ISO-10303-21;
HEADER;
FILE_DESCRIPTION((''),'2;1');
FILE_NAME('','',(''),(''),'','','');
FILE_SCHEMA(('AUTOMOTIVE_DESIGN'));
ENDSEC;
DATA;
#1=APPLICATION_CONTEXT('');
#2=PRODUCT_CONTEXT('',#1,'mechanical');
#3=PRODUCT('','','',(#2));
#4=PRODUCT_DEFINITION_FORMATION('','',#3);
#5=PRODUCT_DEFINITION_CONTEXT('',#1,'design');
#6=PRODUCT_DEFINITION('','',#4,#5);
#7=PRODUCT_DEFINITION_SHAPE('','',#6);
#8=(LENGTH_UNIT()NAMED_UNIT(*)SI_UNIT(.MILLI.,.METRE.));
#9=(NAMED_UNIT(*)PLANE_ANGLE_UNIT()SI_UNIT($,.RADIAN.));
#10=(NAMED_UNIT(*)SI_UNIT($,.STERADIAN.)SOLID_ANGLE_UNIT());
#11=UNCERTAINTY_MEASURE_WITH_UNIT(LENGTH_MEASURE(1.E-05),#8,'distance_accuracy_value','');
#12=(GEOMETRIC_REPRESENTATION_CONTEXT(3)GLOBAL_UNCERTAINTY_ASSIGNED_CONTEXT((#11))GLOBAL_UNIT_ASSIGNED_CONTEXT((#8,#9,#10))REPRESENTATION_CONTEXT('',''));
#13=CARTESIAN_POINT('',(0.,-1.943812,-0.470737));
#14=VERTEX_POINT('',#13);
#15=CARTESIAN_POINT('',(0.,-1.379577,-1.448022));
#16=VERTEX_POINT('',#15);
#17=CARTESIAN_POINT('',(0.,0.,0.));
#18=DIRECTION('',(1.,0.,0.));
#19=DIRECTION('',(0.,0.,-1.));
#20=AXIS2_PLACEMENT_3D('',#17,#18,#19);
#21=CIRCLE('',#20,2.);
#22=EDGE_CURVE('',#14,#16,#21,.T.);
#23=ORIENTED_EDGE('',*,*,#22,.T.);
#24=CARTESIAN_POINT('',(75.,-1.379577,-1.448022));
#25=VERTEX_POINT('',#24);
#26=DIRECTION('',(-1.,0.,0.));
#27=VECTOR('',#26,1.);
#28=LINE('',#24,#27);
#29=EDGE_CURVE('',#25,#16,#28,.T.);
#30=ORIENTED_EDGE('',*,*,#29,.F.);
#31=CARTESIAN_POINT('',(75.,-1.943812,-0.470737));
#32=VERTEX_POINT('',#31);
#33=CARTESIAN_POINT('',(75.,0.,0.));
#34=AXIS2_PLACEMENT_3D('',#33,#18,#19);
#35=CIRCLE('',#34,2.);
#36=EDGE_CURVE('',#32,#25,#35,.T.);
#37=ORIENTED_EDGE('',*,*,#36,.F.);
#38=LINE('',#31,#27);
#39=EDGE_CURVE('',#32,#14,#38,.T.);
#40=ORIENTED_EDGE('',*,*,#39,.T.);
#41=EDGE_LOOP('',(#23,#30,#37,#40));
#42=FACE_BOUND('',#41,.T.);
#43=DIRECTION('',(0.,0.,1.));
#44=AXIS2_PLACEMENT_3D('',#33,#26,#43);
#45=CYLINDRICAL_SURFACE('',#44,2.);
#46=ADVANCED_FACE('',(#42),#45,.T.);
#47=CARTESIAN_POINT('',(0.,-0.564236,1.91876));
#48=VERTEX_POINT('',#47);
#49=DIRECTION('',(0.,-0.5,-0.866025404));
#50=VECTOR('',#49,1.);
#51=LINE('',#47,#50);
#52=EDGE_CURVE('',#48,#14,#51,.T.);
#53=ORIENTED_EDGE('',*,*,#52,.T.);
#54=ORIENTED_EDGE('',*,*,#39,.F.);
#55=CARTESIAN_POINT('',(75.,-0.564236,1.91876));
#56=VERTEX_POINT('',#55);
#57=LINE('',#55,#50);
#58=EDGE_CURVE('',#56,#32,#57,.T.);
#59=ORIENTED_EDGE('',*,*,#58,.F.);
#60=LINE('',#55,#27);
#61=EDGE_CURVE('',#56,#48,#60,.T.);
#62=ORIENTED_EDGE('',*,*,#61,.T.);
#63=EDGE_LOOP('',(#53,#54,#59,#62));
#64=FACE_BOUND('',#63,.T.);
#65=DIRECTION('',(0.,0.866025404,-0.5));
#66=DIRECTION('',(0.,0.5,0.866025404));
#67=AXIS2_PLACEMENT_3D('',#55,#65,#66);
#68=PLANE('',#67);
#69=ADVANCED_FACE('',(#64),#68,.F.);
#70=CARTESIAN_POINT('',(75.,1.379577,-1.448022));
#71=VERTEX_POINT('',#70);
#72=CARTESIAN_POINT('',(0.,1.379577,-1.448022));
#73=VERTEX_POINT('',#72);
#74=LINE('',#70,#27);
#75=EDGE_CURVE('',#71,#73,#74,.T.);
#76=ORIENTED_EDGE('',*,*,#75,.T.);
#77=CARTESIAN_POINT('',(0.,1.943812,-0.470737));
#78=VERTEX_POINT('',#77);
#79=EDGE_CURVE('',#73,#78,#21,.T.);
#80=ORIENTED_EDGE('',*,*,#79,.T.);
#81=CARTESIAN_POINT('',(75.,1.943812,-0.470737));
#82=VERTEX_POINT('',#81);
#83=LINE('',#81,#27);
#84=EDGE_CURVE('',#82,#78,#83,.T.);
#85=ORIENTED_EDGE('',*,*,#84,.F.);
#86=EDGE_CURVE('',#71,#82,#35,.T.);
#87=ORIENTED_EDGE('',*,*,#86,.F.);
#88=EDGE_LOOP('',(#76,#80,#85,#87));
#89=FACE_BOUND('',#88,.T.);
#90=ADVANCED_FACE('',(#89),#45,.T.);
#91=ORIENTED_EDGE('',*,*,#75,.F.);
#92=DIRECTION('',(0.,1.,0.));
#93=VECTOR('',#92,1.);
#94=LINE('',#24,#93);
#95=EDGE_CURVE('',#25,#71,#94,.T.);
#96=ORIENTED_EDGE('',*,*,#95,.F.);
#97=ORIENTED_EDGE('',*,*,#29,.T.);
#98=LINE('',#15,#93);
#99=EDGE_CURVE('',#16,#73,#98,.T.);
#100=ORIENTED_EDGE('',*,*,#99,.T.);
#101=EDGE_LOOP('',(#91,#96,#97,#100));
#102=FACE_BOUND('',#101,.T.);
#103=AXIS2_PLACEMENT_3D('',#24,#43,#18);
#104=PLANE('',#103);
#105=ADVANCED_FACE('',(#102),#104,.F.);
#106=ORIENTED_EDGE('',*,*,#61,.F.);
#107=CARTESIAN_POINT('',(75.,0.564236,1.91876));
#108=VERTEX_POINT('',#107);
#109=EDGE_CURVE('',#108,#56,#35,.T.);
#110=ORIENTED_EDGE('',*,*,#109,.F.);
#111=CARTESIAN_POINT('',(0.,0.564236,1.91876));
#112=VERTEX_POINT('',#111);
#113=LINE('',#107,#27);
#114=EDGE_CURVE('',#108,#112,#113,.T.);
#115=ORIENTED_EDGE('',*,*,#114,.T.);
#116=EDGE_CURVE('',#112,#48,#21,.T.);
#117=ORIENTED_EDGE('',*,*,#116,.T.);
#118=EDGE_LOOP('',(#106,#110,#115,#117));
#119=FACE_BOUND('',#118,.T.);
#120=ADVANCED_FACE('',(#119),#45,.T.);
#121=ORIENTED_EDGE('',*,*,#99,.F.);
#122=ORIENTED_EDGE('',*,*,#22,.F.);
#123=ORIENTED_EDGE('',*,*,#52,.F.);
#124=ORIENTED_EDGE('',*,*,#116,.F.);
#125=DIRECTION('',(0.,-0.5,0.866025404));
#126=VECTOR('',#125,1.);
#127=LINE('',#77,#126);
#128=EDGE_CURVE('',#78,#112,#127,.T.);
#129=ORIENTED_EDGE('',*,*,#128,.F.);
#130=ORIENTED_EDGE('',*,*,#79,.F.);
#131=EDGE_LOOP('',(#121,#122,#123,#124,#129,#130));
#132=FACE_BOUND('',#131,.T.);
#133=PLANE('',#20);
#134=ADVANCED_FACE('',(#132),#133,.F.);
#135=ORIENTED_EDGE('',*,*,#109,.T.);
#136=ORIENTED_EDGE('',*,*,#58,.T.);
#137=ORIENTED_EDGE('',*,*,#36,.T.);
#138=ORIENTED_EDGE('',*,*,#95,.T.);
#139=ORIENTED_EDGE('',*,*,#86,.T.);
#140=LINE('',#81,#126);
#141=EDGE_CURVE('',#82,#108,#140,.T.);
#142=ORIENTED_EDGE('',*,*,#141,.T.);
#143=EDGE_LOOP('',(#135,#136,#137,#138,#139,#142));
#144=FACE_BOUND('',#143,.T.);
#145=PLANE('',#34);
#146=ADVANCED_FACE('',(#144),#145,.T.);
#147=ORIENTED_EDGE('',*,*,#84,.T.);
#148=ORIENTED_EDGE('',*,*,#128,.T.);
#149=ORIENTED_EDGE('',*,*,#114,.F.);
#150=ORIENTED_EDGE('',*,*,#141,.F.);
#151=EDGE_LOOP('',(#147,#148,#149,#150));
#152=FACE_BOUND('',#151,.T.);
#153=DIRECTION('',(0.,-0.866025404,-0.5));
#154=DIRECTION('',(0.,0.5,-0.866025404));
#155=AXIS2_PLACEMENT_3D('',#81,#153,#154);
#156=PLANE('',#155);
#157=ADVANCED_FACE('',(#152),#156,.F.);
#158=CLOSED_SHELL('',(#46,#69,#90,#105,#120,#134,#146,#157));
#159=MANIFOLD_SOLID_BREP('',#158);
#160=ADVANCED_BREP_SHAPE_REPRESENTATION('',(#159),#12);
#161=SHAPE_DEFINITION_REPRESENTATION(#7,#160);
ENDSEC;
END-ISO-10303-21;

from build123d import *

# Parameters (mm, degrees)
BOSS_EXTRU_1_DEPTH = 75


with BuildPart() as part:
    # Esquisse1 → Boss.-Extru.1 (new body)
    with BuildSketch(Plane(origin=(0, 0, 0), x_dir=(0, 0, -1), z_dir=(1, 0, 0))):
        with BuildLine():
            Line((1.448022121, -1.379576725), (1.448022121, 1.379576723))
            ThreePointArc((1.448022121, 1.379576723), (1, 1.732050807), (0.470737428, 1.943812304))
            Line((0.470737428, 1.943812304), (-1.918759551, 0.56423558))
            ThreePointArc((-1.918759551, 0.56423558), (-1.979585702, 0.285027104), (-2, 0))
            ThreePointArc((-2, 0), (-1.979585702, -0.285027104), (-1.918759551, -0.564235579))
            Line((-1.918759551, -0.564235579), (0.470737429, -1.943812304))
            ThreePointArc((0.470737429, -1.943812304), (1, -1.732050808), (1.448022121, -1.379576725))
        make_face()
    extrude(amount=BOSS_EXTRU_1_DEPTH)


solid = part.part
